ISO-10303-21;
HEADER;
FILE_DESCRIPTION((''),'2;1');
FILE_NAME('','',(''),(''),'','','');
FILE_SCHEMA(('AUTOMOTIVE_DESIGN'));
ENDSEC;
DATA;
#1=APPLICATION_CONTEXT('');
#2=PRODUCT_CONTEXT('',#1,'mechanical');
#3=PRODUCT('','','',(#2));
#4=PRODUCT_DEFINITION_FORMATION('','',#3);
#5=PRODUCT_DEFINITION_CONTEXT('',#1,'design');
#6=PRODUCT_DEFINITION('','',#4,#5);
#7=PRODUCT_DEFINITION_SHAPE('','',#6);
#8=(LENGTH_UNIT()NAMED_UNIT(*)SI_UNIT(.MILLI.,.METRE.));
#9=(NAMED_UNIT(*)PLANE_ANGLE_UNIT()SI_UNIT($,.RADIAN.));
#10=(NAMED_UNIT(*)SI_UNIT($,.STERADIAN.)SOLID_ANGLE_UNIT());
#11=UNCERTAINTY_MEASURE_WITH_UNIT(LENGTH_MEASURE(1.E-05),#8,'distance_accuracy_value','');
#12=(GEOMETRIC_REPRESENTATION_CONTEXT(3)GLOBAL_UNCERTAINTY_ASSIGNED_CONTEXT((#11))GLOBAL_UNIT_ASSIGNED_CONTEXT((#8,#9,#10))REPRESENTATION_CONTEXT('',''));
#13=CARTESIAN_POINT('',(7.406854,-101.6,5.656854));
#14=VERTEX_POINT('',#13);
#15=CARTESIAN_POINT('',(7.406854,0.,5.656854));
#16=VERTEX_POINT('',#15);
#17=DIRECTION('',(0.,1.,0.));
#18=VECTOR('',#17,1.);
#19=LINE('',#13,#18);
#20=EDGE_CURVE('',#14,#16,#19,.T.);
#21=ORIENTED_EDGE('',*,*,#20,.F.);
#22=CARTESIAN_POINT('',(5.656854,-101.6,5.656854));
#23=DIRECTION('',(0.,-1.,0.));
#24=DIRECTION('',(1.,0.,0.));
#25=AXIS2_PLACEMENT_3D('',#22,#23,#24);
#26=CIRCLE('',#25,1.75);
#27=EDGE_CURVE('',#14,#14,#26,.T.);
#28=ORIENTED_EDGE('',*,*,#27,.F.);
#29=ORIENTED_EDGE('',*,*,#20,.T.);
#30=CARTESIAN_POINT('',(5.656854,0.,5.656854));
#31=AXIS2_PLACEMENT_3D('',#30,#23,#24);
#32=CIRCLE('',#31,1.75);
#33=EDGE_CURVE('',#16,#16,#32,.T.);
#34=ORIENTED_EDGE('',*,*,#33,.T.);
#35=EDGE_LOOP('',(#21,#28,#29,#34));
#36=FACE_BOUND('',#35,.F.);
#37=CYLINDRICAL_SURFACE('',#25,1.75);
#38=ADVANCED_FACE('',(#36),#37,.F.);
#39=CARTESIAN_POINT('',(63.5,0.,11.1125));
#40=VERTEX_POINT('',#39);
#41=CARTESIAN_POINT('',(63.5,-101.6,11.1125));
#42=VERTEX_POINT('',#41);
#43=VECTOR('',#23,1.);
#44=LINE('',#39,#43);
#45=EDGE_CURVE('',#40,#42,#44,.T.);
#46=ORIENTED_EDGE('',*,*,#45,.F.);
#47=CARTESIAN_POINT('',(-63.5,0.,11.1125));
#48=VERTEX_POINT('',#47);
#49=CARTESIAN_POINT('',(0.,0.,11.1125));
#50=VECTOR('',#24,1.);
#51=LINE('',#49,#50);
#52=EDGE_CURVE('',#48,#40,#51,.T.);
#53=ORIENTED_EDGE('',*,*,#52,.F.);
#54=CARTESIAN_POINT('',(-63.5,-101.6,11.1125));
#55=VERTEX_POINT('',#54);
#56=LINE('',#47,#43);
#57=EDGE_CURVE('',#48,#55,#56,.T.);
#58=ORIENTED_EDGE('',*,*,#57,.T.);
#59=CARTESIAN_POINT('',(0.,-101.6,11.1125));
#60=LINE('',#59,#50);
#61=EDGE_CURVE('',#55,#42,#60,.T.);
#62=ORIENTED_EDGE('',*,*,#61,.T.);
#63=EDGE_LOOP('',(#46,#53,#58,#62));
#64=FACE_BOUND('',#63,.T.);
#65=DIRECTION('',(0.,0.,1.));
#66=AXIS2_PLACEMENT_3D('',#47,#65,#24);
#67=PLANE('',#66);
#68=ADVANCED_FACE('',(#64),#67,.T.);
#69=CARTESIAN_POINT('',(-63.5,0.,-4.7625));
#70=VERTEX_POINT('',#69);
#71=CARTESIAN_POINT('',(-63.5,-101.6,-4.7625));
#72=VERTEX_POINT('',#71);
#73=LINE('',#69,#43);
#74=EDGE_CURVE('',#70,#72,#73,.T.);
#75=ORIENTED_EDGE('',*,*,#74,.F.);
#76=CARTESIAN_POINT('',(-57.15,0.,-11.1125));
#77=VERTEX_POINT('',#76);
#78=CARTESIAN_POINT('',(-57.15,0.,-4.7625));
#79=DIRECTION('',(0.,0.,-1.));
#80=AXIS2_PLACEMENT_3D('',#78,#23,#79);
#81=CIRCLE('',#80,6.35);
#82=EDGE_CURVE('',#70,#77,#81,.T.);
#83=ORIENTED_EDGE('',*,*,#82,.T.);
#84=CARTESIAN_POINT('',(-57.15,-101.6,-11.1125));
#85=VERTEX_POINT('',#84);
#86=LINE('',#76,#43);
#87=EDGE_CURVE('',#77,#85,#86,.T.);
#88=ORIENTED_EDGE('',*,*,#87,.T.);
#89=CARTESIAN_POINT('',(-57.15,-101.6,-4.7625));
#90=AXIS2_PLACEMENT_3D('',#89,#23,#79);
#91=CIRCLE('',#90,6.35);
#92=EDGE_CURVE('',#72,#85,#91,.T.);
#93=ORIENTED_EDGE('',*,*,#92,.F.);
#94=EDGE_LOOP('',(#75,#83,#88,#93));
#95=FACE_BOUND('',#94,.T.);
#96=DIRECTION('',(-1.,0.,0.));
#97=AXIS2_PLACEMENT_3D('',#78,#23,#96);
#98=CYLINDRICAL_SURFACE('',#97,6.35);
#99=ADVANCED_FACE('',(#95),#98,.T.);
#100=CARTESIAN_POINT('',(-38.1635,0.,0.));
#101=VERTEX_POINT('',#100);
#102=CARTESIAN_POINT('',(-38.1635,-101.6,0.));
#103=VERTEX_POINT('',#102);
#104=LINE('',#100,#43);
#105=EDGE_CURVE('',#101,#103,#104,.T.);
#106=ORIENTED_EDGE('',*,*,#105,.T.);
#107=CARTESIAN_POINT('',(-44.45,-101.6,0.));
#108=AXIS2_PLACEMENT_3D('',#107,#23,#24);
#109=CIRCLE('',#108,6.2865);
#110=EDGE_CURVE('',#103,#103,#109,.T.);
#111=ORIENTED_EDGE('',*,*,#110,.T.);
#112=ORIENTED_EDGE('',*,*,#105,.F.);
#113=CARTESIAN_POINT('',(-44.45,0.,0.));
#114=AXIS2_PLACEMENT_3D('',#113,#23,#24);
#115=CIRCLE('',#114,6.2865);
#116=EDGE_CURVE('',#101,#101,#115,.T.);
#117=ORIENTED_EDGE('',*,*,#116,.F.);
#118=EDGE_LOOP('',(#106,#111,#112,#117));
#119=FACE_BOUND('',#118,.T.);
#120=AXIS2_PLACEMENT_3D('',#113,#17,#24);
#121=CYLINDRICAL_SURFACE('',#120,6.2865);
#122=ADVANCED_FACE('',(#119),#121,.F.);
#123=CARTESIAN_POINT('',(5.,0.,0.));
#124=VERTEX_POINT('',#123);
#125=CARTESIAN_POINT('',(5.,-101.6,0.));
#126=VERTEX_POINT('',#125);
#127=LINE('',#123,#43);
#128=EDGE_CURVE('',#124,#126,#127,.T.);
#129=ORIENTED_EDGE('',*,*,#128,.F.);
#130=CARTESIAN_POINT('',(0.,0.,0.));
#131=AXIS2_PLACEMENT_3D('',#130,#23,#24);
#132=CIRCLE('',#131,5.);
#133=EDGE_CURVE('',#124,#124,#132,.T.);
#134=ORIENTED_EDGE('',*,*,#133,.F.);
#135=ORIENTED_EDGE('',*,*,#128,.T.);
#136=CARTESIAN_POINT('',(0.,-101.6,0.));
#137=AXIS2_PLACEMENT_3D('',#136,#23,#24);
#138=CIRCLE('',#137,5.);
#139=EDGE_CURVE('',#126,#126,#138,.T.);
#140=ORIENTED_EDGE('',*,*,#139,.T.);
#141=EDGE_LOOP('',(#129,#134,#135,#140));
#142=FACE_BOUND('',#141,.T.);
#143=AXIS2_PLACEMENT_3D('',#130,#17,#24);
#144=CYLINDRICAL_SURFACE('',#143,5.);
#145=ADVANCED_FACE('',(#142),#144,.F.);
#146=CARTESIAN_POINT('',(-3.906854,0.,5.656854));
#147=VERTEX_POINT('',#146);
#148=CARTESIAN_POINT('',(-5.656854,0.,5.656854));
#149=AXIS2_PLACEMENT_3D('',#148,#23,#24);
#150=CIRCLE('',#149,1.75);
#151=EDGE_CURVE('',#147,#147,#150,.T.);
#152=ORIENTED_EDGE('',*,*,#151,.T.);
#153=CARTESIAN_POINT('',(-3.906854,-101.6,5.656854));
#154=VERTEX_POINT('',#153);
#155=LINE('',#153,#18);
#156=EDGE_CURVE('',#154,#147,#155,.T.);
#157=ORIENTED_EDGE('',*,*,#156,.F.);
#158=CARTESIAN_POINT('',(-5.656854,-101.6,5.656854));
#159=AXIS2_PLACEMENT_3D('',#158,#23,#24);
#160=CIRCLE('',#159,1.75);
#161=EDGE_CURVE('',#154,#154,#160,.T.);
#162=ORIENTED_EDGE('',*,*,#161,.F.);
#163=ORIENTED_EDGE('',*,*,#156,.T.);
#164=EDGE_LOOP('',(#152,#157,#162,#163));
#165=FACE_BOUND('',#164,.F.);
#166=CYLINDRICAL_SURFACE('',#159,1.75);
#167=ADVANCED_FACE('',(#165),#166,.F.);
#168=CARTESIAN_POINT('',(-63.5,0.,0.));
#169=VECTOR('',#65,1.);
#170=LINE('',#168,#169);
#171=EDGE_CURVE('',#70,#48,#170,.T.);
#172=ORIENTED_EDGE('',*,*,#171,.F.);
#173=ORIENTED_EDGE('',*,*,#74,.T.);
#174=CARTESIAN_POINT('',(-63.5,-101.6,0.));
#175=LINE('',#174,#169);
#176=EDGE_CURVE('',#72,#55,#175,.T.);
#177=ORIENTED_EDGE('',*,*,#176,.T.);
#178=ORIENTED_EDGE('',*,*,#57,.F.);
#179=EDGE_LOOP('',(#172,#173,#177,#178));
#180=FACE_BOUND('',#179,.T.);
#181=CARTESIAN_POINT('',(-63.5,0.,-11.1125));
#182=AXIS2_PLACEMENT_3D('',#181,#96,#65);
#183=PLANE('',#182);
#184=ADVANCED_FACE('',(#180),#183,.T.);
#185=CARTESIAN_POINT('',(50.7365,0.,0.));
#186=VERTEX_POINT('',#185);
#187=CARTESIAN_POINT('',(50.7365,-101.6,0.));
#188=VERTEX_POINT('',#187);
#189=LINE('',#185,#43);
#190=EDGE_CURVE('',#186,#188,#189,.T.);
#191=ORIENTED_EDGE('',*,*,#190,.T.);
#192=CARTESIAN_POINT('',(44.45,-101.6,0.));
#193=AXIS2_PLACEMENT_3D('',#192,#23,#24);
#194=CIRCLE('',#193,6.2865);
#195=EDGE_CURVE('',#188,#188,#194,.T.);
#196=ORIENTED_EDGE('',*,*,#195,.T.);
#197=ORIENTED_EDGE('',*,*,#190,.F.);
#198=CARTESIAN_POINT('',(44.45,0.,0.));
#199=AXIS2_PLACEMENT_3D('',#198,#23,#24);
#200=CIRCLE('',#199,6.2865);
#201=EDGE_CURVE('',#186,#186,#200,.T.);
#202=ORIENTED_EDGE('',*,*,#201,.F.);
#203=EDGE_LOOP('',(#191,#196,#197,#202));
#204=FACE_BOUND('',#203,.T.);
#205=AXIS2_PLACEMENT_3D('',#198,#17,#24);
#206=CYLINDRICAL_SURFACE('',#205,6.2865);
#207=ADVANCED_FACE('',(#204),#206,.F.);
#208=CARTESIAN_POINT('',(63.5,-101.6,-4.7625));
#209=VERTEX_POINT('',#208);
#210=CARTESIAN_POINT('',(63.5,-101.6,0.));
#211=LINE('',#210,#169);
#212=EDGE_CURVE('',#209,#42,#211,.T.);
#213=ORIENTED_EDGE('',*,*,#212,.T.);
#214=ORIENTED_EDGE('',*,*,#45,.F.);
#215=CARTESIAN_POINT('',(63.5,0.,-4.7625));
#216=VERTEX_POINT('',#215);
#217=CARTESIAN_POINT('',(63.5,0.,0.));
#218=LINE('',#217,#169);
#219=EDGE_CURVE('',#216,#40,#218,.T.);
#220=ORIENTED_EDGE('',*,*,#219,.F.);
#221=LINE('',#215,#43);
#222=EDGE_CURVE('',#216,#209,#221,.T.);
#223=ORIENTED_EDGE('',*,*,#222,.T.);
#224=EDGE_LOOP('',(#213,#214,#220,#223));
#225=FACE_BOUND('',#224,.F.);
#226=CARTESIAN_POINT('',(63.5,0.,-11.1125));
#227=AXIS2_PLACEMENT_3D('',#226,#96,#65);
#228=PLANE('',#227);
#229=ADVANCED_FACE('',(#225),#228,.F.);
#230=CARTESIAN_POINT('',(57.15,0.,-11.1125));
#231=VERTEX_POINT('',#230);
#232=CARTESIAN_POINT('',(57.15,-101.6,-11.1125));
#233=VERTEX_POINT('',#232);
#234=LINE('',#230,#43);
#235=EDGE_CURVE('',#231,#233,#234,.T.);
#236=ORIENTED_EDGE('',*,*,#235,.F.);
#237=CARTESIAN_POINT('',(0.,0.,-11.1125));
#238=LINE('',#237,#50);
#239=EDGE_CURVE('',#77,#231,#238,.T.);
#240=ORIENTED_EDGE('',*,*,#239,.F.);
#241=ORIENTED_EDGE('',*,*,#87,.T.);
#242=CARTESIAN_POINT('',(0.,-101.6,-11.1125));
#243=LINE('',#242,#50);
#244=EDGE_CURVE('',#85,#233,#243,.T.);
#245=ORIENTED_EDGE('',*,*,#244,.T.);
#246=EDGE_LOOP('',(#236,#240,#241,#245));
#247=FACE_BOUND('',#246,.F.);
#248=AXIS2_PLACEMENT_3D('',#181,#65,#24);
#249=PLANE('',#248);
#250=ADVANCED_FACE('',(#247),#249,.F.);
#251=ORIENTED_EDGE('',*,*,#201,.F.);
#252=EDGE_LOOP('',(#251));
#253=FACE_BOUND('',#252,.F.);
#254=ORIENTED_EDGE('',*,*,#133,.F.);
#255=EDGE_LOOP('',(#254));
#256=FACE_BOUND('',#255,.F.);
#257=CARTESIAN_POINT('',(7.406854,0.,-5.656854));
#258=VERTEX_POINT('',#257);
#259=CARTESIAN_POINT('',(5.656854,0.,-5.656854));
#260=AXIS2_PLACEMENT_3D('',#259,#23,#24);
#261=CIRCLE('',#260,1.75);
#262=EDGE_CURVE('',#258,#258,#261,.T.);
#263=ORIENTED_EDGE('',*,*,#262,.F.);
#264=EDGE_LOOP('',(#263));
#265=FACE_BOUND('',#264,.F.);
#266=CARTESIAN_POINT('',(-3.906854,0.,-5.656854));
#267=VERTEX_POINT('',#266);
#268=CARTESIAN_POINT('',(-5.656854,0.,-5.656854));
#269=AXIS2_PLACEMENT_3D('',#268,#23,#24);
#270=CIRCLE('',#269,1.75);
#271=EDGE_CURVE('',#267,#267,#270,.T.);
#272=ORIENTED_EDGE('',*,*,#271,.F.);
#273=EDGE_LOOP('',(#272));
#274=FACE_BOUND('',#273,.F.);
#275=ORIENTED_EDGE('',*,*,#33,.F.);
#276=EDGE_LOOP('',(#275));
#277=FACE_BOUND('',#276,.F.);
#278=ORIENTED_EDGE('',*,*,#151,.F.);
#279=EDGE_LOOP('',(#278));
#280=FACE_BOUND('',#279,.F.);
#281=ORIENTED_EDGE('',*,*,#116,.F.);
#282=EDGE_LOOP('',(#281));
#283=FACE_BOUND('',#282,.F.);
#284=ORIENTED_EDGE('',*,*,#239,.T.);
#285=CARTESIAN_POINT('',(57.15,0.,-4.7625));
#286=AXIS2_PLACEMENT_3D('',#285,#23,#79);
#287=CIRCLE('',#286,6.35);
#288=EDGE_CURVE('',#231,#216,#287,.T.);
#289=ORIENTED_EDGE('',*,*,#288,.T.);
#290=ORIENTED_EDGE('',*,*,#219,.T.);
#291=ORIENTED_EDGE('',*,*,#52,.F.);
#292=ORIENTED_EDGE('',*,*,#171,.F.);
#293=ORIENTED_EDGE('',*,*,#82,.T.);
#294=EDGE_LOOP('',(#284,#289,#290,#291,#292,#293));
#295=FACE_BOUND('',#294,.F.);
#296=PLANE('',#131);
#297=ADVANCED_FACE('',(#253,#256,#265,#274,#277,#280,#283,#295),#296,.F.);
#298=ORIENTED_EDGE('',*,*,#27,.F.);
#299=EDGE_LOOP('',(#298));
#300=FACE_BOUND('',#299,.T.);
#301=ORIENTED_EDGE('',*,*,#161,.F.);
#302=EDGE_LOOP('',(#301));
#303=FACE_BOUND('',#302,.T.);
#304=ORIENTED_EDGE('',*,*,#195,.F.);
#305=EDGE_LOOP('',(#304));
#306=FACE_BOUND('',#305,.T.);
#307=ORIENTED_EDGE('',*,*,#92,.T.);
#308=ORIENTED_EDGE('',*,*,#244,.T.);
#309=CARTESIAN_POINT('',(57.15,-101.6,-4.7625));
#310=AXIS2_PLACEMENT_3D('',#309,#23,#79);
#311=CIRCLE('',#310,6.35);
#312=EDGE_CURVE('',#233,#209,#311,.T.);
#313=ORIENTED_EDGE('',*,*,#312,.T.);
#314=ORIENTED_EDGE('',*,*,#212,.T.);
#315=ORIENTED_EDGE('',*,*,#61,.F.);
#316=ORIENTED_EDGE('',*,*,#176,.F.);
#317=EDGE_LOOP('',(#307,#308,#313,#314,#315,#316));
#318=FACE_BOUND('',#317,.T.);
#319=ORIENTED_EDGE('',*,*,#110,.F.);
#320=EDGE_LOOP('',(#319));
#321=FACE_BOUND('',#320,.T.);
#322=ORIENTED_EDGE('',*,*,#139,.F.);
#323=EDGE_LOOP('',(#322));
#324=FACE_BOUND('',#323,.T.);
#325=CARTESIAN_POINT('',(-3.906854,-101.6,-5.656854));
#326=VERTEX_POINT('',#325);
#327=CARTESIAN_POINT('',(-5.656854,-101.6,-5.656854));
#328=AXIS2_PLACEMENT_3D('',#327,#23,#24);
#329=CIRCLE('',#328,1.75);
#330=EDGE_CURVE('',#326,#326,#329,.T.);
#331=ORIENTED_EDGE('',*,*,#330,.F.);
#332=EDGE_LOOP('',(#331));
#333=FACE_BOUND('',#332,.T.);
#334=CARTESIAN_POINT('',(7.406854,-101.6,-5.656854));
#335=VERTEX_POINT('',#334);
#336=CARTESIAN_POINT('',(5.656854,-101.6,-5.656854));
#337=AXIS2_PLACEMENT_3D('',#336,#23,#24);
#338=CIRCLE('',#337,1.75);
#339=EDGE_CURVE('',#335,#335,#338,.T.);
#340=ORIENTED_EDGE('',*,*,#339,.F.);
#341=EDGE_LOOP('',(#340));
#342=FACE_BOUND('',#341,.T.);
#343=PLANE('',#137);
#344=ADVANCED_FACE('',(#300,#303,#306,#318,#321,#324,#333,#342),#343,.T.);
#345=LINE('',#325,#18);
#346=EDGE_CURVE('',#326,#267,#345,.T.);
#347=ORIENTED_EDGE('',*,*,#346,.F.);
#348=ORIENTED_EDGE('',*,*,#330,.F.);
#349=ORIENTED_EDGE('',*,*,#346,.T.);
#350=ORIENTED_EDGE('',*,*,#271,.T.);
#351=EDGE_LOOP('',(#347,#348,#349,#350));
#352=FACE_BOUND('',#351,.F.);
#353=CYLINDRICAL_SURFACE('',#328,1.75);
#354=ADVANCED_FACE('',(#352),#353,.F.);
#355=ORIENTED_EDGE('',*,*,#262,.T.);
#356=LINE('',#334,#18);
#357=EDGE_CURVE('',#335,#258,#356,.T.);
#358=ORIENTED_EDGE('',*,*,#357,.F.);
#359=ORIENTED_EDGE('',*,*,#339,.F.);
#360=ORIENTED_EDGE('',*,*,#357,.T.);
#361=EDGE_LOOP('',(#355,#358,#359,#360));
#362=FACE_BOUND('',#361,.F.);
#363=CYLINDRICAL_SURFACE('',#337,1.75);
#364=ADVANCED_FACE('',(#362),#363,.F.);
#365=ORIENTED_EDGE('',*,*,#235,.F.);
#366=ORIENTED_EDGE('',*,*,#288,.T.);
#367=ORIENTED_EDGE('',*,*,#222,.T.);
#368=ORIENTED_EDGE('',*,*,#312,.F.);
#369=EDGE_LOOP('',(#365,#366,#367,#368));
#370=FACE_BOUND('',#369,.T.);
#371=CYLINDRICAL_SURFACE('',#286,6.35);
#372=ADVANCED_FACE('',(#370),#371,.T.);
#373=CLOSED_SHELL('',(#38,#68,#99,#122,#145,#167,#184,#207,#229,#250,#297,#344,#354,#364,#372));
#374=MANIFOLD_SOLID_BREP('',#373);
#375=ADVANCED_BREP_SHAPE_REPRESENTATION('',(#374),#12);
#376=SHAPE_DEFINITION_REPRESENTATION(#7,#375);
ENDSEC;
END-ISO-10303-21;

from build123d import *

# Parameters (mm, degrees)
F0_W     = 127
F0_H     = 22.225
F0_R     = 6.2865
F0_R_2   = 5
F1_DEPTH = 101.6
F2_R     = 6.35
F3_R     = 1.75
F4_DEPTH = 101.601


with BuildPart() as f1:
    # F0 (on Front) → F1 (new body)
    with BuildSketch(Plane.XZ):
        Rectangle(F0_W, F0_H)
        with Locations((-44.45, 0)):
            Circle(F0_R, mode=Mode.SUBTRACT)
        Circle(F0_R_2, mode=Mode.SUBTRACT)
        with Locations((44.45, 0)):
            Circle(F0_R, mode=Mode.SUBTRACT)
    extrude(amount=F1_DEPTH)

    # F2
    f2_edges = [f1.edges().sort_by_distance(p)[0] for p in [
        (-63.5, -50.8, -11.1125),
        (63.5, -50.8, -11.1125),
    ]]
    fillet(f2_edges, radius=F2_R)

    # F3 (on face) → F4 (cut, through all)
    with BuildSketch(Plane.XZ.offset(101.6)):
        with Locations((-5.656854, 5.656854)):
            Circle(F3_R)
        with Locations((5.656854, 5.656854)):
            Circle(F3_R)
        with Locations((5.656854, -5.656854)):
            Circle(F3_R)
        with Locations((-5.656854, -5.656854)):
            Circle(F3_R)
    extrude(amount=-F4_DEPTH, mode=Mode.SUBTRACT)


solid = f1.part
